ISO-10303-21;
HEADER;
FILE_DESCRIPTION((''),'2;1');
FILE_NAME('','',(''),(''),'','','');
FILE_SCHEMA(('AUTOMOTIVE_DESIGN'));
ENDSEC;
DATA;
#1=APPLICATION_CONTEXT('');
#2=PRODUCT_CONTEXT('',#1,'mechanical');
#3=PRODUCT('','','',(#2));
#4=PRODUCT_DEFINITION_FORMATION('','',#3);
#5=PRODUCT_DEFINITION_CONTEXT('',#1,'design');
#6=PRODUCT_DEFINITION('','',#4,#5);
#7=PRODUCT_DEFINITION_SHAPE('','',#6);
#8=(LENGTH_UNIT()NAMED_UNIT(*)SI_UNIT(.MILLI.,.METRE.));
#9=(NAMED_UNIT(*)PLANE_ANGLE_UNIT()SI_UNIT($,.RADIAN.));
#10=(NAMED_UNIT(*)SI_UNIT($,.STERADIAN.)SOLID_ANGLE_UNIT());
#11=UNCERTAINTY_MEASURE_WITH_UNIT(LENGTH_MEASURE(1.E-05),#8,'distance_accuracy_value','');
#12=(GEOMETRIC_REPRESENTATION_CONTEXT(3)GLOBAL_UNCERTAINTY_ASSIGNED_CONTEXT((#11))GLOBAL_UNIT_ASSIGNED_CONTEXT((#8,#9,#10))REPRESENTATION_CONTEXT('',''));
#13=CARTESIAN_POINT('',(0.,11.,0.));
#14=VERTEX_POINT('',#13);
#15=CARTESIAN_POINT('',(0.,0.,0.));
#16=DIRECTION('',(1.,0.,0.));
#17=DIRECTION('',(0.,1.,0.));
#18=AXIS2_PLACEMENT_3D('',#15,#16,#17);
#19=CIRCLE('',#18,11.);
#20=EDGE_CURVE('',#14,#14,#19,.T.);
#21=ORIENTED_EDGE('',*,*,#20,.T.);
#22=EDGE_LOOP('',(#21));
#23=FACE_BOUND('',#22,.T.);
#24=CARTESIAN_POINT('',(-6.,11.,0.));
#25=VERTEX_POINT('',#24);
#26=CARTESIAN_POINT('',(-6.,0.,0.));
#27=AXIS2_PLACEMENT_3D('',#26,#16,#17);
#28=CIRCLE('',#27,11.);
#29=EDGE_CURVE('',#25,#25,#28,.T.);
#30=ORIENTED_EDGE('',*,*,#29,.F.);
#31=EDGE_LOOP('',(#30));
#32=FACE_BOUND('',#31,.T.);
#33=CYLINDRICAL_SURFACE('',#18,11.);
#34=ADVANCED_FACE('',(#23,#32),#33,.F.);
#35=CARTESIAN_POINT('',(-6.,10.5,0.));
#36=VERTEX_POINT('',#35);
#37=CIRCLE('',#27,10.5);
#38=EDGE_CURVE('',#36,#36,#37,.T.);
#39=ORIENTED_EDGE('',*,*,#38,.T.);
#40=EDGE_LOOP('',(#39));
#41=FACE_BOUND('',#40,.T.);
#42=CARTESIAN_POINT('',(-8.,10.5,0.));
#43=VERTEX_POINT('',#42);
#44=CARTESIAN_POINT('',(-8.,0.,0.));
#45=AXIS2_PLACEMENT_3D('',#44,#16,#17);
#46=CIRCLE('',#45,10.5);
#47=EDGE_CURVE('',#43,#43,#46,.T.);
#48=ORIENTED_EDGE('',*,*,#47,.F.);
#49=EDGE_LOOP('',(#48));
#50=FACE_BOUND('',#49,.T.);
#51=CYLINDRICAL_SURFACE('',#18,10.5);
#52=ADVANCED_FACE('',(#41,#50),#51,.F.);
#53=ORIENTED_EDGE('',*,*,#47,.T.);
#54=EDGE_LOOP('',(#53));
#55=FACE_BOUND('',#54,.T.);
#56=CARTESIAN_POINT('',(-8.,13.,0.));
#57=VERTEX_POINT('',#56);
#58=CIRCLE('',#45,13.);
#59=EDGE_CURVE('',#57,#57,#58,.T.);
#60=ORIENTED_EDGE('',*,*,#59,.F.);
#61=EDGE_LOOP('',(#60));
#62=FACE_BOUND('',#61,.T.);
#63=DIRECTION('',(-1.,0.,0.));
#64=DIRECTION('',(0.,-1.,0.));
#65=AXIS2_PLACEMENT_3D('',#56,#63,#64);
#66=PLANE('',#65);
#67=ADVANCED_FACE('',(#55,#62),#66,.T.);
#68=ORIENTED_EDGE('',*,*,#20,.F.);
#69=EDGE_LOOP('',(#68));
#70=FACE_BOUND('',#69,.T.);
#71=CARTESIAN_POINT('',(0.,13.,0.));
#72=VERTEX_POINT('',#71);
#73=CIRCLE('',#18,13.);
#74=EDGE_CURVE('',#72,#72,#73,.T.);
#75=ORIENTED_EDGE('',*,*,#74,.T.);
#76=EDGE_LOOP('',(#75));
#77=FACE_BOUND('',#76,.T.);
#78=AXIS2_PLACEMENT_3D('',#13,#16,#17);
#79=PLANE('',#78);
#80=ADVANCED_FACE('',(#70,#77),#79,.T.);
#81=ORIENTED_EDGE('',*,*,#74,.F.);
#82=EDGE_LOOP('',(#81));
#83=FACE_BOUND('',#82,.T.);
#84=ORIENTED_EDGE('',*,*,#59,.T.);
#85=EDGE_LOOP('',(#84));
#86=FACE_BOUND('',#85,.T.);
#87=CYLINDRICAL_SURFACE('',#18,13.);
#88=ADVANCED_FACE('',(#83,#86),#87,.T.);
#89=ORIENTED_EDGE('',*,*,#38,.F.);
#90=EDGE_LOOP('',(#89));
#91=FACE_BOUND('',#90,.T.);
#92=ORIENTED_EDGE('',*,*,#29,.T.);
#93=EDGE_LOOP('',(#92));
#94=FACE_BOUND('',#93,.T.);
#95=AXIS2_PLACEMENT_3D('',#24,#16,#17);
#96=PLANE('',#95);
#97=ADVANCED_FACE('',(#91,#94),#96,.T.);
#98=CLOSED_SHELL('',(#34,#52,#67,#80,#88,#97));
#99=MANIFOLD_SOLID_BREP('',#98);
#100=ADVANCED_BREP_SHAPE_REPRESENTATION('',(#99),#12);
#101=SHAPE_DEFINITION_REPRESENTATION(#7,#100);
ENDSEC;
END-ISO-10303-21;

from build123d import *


with BuildPart() as part:
    # Sketch2 → Revolve1 (revolve)
    with BuildSketch(Plane.XY):
        Polygon((0, 11), (0, 13), (-8, 13), (-8, 10.5), (-6, 10.5), (-6, 11), align=None)
    revolve(axis=Axis((0, 0, 0), (-1, 0, 0)))


solid = part.part
